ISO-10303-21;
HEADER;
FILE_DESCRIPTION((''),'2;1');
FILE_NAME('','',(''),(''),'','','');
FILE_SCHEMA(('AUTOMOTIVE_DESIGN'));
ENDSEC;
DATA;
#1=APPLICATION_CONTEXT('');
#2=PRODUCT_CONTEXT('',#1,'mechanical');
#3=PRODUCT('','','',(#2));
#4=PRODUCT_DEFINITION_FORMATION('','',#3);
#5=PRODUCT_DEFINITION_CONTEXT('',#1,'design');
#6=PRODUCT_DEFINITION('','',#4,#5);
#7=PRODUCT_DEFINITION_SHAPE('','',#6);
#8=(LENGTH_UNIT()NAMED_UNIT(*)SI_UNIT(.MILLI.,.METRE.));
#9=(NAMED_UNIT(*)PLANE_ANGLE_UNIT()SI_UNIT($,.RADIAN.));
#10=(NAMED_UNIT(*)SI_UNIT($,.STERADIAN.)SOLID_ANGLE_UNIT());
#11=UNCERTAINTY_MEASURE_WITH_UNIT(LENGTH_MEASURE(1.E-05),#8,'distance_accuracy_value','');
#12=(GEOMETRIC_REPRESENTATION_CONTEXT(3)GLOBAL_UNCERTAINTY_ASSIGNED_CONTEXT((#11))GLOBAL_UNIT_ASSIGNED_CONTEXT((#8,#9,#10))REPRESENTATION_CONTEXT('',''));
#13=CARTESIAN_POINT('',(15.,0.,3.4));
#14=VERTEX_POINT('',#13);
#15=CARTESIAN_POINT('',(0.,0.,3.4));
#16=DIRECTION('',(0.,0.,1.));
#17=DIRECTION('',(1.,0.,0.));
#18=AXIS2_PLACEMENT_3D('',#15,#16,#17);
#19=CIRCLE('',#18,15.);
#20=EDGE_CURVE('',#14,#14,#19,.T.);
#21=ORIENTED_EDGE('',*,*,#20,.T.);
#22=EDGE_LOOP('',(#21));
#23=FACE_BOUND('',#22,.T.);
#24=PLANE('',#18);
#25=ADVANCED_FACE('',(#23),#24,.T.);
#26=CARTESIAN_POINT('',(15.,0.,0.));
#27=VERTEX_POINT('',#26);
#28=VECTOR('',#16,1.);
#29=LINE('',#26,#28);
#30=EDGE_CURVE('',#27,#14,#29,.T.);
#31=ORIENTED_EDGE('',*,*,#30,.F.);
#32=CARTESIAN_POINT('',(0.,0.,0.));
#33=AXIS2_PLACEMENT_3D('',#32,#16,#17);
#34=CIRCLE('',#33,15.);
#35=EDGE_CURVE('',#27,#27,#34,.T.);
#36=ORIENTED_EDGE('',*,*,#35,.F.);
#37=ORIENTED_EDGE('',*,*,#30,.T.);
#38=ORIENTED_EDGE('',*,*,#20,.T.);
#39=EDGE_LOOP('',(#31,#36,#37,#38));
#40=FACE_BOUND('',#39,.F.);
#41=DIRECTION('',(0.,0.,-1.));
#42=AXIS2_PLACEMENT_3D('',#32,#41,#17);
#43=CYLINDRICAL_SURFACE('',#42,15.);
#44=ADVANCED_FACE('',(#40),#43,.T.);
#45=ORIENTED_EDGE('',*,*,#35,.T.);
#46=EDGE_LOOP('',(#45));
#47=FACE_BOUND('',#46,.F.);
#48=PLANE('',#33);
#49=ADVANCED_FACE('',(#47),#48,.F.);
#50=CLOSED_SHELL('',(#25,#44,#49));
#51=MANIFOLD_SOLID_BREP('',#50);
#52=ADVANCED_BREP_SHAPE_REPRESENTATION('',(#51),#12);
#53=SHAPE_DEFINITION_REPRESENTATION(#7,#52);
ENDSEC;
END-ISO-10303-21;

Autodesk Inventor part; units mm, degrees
ref_plane "YZ Plane" through (0, 0, 0) normal (1, 0, 0) x (0, 1, 0)
ref_plane "XZ Plane" through (0, 0, 0) normal (0, 1, 0) x (-1, 0, 0)
ref_plane "XY Plane" through (0, 0, 0) normal (0, 0, 1) x (1, 0, 0)
sketch "Sketch1" plane through (0, 0, 0) normal (0, 0, 1) x (1, 0, 0)
  circle A0 centre (0, 0) radius 15
  dimension "d0" = 30
extrude "Extrusion1" add sketch "Sketch1" along normal blind 3.4
properties part number "quartz-disk-window" material "Glass"
